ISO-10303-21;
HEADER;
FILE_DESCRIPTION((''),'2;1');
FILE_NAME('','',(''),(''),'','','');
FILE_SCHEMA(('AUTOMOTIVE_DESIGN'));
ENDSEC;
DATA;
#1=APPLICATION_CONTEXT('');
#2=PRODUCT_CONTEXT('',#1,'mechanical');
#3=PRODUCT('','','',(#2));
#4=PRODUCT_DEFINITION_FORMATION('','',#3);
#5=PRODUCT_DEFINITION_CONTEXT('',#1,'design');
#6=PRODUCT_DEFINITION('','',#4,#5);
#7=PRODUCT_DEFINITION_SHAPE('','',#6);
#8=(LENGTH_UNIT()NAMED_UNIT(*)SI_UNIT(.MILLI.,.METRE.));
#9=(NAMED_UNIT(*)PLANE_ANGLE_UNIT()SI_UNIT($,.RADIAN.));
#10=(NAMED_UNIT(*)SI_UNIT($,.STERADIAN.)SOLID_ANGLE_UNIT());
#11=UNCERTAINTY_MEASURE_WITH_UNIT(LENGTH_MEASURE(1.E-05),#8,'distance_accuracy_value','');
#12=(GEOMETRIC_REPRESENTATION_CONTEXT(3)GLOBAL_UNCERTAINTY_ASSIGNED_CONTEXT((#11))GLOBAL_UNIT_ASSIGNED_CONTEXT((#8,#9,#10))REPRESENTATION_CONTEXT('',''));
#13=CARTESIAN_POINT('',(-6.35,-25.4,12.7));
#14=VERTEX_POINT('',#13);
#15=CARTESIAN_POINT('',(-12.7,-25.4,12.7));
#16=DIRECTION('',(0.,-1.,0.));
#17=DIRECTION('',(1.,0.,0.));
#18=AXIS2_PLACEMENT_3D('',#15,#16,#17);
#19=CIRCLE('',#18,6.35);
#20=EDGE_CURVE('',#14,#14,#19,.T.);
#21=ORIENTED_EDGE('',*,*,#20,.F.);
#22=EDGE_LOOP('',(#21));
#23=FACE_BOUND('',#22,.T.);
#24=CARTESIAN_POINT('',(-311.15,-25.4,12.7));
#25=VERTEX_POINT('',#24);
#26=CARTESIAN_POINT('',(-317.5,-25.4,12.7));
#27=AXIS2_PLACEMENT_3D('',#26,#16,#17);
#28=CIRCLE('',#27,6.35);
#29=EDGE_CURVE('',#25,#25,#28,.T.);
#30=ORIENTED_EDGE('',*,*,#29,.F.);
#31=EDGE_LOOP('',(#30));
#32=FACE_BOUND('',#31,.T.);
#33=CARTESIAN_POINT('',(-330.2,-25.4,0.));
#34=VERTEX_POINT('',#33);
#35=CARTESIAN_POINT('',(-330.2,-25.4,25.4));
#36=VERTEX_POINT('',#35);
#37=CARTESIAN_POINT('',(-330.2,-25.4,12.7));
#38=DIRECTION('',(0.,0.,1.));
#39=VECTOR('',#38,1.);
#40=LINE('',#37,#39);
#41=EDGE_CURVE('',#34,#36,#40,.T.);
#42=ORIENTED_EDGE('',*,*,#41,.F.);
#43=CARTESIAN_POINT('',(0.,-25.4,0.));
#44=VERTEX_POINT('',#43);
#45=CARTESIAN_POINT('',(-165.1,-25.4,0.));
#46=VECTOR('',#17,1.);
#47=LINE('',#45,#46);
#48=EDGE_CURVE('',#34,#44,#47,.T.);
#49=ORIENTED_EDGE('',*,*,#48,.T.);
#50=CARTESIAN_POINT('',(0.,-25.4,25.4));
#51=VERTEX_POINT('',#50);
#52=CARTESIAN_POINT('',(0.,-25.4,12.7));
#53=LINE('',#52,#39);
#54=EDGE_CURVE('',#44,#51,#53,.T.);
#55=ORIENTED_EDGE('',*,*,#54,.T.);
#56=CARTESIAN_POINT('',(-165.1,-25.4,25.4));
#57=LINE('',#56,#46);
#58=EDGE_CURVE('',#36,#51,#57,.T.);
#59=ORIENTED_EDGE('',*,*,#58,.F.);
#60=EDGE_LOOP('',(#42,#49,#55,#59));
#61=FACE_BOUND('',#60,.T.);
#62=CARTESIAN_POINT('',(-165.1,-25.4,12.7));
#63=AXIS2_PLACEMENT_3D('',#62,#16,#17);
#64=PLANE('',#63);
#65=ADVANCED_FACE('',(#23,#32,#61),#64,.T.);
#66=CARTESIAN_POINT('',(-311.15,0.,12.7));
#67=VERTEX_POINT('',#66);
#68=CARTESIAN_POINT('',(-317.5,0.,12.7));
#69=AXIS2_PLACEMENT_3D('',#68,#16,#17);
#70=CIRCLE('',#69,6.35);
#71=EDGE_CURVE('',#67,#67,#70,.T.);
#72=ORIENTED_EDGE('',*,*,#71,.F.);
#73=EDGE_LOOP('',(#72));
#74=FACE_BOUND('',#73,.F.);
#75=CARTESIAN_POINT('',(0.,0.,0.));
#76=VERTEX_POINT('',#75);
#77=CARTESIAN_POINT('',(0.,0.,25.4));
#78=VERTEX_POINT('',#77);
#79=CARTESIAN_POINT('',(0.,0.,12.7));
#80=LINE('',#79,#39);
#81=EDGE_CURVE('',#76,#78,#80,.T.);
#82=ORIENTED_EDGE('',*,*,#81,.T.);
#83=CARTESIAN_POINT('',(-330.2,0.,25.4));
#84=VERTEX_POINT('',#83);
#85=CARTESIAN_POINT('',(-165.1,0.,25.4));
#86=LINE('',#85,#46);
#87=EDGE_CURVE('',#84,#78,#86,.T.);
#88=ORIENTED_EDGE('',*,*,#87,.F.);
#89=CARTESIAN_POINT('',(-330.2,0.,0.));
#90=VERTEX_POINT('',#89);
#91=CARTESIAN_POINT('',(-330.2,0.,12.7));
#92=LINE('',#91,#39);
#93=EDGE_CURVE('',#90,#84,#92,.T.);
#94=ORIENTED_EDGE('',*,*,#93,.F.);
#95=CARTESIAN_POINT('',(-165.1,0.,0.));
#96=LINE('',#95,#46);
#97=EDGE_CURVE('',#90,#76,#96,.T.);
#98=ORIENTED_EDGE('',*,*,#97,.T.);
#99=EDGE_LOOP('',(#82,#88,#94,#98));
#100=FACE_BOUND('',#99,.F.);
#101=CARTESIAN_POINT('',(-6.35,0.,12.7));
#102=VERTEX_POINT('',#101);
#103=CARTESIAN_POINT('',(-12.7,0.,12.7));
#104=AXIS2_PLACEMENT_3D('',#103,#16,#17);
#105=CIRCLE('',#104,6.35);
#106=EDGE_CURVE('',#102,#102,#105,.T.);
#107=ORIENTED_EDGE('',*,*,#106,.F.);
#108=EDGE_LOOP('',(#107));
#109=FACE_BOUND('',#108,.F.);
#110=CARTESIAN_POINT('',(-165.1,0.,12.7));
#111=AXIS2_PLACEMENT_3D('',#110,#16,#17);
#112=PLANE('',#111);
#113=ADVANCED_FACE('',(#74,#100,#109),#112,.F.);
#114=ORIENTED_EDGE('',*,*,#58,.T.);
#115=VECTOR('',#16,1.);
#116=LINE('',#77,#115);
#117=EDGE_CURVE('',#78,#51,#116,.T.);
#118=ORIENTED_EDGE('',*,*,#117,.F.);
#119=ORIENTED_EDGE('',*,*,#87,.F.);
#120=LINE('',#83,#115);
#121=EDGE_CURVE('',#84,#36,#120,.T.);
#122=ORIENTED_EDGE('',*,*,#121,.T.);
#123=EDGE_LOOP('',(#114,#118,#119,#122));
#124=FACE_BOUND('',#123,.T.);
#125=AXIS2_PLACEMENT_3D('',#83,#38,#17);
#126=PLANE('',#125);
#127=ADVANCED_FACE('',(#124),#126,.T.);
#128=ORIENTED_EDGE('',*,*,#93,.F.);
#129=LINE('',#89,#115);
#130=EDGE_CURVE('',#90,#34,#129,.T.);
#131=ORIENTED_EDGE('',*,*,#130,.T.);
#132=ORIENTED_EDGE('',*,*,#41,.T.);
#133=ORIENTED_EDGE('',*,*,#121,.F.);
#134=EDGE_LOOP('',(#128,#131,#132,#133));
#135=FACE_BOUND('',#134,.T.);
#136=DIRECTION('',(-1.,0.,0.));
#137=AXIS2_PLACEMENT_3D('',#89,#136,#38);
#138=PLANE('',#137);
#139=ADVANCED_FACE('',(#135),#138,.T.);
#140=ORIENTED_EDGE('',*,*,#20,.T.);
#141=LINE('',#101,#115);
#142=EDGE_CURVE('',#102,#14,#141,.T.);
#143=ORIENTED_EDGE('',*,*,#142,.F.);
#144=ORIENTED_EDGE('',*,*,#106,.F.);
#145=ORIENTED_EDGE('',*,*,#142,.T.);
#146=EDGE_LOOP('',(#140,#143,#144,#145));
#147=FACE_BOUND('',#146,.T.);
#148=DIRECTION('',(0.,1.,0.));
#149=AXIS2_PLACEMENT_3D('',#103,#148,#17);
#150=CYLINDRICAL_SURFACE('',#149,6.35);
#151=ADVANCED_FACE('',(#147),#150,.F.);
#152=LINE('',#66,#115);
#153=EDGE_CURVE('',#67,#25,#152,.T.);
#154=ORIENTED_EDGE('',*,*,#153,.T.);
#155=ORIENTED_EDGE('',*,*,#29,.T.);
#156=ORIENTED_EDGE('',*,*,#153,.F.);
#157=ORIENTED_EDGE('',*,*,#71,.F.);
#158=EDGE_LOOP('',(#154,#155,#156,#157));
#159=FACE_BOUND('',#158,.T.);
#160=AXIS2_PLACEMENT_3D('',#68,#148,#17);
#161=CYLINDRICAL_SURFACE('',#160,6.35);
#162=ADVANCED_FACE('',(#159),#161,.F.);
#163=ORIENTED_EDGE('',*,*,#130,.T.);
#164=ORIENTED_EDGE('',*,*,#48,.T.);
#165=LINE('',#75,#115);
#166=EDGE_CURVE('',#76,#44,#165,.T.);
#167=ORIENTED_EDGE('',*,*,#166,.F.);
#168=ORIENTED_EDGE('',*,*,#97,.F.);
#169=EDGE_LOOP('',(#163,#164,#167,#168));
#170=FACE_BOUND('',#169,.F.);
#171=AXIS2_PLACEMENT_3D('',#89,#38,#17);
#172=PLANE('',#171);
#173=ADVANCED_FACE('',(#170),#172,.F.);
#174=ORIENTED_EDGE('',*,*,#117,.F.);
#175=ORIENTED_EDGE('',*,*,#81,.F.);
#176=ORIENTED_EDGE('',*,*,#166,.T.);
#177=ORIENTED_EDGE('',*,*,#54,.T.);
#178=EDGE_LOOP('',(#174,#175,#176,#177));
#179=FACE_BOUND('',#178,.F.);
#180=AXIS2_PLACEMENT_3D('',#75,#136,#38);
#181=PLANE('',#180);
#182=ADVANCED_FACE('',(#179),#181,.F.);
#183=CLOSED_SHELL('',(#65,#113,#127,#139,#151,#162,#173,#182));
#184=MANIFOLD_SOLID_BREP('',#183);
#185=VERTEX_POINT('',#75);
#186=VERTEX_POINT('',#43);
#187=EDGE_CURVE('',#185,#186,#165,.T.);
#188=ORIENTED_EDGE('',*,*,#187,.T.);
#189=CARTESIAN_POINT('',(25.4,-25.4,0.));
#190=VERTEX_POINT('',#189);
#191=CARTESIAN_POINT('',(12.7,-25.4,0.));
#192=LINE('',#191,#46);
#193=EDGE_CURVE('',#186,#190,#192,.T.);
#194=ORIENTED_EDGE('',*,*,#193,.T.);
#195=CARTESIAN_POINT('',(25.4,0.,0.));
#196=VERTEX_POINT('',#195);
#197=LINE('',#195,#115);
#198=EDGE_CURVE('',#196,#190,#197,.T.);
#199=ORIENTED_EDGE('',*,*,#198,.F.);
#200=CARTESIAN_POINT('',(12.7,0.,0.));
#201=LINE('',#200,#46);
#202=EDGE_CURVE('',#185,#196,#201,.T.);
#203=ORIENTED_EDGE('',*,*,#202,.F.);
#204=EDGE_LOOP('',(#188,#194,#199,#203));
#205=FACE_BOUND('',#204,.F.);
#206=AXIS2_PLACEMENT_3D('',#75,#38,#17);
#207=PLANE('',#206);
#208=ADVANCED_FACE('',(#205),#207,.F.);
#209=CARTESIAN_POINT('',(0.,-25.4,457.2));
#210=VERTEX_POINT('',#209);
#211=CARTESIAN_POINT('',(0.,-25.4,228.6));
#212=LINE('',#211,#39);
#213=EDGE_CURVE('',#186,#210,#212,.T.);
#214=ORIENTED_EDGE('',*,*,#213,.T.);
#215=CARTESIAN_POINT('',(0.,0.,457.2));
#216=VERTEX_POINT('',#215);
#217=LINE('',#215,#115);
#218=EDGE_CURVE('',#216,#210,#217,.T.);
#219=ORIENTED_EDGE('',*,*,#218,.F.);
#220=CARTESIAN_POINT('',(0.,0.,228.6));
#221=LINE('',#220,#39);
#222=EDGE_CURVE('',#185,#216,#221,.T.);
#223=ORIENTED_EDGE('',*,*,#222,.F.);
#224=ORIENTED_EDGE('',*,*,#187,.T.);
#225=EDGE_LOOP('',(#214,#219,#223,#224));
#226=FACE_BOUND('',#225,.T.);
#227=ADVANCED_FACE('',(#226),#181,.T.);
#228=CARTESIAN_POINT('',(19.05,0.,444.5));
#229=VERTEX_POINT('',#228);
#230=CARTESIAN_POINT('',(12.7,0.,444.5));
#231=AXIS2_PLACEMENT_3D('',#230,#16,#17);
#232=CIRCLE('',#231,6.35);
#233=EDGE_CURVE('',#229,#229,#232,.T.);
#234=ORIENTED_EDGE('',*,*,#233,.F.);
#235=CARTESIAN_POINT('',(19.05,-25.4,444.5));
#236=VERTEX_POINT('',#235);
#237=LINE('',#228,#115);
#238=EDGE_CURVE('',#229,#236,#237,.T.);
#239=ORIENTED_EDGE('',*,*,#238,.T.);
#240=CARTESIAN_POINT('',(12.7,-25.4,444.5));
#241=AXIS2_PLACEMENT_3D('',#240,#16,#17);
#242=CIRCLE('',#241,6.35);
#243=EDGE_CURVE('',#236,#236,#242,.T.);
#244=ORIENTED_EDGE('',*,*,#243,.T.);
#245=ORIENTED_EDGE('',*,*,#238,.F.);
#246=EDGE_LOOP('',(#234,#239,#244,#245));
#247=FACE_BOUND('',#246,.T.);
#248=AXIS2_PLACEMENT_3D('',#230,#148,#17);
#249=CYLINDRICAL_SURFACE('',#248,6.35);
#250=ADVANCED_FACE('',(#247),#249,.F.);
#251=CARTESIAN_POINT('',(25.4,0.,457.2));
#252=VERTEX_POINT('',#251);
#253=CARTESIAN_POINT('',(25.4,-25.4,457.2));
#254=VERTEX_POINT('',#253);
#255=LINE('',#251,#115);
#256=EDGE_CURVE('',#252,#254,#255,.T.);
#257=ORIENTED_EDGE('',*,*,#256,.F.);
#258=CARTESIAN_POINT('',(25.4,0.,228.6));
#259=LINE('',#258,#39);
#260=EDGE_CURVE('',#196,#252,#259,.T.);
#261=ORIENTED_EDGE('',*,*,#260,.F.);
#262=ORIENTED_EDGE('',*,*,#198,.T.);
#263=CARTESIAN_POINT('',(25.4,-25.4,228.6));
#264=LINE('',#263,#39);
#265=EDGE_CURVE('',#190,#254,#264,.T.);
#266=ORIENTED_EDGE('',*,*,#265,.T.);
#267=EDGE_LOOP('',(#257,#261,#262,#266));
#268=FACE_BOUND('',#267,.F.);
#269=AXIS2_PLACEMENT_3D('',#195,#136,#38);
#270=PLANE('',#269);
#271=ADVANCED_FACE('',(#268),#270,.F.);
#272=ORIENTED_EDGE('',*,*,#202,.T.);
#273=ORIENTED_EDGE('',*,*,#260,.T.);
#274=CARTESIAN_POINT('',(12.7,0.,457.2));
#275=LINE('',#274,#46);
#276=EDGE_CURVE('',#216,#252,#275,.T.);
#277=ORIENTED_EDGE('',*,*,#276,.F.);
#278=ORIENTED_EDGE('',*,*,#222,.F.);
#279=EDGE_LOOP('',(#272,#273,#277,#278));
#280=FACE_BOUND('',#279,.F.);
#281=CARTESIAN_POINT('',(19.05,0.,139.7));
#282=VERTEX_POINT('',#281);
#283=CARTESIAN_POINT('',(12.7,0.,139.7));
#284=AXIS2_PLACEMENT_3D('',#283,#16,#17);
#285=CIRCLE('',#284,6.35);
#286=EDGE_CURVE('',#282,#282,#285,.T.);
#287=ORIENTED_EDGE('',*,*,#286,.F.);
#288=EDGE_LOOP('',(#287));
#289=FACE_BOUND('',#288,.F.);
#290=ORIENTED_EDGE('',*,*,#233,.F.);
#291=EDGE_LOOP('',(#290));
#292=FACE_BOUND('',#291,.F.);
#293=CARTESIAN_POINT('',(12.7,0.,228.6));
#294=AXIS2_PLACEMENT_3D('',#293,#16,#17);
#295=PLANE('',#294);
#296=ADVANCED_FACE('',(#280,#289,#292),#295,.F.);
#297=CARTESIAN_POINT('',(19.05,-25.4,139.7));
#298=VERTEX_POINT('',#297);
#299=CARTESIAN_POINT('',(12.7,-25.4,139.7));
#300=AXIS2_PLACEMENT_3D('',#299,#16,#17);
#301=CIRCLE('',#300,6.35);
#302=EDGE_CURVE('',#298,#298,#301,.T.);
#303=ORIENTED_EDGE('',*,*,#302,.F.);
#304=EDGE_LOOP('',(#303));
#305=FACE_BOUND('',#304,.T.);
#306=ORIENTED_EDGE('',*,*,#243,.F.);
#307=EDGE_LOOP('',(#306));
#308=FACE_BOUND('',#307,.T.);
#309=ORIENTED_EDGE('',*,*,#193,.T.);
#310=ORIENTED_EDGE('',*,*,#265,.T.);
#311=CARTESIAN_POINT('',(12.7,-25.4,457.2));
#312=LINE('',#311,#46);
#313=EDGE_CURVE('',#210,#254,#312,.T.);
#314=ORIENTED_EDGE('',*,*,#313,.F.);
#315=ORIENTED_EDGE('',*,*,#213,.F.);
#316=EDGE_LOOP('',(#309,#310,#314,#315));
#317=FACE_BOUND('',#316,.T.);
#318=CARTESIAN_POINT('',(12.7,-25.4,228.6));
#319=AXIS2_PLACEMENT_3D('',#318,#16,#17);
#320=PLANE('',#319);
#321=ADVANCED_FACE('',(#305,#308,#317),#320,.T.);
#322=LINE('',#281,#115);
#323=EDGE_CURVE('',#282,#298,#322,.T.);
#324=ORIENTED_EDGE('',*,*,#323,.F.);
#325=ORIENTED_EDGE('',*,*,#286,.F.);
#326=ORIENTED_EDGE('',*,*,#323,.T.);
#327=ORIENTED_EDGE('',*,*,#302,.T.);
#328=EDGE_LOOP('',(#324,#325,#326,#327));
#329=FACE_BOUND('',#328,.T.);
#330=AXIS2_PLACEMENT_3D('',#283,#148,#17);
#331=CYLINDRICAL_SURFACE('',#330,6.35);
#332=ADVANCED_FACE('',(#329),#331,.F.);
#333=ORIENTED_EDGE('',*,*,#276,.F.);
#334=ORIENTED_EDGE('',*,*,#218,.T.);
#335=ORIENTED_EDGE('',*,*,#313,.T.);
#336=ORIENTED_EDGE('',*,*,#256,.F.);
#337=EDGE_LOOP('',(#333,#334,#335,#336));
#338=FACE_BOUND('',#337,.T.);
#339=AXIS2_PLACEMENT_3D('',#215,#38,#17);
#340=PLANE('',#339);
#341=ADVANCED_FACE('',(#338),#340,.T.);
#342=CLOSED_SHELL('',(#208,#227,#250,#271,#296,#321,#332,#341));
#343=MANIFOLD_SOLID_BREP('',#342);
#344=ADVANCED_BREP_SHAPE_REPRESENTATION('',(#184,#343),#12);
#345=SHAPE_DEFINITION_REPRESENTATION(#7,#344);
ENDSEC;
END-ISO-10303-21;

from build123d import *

# Parameters (mm, degrees)
F0_W     = 25.4
F0_H     = 457.2
F0_R     = 6.35
F1_DEPTH = 25.4
F2_W     = 330.2
F2_H     = 25.4
F2_R     = 6.35
F3_DEPTH = 25.4


with BuildPart() as f1:
    # F0 (on Front) → F1 (new body)
    with BuildSketch(Plane.XZ):
        with Locations((12.7, 228.6)):
            Rectangle(F0_W, F0_H)
        with Locations((12.7, 139.7)):
            Circle(F0_R, mode=Mode.SUBTRACT)
        with Locations((12.7, 444.5)):
            Circle(F0_R, mode=Mode.SUBTRACT)
    extrude(amount=F1_DEPTH)


with BuildPart() as f3:
    # F2 (on Front) → F3 (new body)
    with BuildSketch(Plane.XZ):
        with Locations((-165.1, 12.7)):
            Rectangle(F2_W, F2_H)
        with Locations((-317.5, 12.7)):
            Circle(F2_R, mode=Mode.SUBTRACT)
        with Locations((-12.7, 12.7)):
            Circle(F2_R, mode=Mode.SUBTRACT)
    extrude(amount=F3_DEPTH)


solid = Compound([f1.part, f3.part])
